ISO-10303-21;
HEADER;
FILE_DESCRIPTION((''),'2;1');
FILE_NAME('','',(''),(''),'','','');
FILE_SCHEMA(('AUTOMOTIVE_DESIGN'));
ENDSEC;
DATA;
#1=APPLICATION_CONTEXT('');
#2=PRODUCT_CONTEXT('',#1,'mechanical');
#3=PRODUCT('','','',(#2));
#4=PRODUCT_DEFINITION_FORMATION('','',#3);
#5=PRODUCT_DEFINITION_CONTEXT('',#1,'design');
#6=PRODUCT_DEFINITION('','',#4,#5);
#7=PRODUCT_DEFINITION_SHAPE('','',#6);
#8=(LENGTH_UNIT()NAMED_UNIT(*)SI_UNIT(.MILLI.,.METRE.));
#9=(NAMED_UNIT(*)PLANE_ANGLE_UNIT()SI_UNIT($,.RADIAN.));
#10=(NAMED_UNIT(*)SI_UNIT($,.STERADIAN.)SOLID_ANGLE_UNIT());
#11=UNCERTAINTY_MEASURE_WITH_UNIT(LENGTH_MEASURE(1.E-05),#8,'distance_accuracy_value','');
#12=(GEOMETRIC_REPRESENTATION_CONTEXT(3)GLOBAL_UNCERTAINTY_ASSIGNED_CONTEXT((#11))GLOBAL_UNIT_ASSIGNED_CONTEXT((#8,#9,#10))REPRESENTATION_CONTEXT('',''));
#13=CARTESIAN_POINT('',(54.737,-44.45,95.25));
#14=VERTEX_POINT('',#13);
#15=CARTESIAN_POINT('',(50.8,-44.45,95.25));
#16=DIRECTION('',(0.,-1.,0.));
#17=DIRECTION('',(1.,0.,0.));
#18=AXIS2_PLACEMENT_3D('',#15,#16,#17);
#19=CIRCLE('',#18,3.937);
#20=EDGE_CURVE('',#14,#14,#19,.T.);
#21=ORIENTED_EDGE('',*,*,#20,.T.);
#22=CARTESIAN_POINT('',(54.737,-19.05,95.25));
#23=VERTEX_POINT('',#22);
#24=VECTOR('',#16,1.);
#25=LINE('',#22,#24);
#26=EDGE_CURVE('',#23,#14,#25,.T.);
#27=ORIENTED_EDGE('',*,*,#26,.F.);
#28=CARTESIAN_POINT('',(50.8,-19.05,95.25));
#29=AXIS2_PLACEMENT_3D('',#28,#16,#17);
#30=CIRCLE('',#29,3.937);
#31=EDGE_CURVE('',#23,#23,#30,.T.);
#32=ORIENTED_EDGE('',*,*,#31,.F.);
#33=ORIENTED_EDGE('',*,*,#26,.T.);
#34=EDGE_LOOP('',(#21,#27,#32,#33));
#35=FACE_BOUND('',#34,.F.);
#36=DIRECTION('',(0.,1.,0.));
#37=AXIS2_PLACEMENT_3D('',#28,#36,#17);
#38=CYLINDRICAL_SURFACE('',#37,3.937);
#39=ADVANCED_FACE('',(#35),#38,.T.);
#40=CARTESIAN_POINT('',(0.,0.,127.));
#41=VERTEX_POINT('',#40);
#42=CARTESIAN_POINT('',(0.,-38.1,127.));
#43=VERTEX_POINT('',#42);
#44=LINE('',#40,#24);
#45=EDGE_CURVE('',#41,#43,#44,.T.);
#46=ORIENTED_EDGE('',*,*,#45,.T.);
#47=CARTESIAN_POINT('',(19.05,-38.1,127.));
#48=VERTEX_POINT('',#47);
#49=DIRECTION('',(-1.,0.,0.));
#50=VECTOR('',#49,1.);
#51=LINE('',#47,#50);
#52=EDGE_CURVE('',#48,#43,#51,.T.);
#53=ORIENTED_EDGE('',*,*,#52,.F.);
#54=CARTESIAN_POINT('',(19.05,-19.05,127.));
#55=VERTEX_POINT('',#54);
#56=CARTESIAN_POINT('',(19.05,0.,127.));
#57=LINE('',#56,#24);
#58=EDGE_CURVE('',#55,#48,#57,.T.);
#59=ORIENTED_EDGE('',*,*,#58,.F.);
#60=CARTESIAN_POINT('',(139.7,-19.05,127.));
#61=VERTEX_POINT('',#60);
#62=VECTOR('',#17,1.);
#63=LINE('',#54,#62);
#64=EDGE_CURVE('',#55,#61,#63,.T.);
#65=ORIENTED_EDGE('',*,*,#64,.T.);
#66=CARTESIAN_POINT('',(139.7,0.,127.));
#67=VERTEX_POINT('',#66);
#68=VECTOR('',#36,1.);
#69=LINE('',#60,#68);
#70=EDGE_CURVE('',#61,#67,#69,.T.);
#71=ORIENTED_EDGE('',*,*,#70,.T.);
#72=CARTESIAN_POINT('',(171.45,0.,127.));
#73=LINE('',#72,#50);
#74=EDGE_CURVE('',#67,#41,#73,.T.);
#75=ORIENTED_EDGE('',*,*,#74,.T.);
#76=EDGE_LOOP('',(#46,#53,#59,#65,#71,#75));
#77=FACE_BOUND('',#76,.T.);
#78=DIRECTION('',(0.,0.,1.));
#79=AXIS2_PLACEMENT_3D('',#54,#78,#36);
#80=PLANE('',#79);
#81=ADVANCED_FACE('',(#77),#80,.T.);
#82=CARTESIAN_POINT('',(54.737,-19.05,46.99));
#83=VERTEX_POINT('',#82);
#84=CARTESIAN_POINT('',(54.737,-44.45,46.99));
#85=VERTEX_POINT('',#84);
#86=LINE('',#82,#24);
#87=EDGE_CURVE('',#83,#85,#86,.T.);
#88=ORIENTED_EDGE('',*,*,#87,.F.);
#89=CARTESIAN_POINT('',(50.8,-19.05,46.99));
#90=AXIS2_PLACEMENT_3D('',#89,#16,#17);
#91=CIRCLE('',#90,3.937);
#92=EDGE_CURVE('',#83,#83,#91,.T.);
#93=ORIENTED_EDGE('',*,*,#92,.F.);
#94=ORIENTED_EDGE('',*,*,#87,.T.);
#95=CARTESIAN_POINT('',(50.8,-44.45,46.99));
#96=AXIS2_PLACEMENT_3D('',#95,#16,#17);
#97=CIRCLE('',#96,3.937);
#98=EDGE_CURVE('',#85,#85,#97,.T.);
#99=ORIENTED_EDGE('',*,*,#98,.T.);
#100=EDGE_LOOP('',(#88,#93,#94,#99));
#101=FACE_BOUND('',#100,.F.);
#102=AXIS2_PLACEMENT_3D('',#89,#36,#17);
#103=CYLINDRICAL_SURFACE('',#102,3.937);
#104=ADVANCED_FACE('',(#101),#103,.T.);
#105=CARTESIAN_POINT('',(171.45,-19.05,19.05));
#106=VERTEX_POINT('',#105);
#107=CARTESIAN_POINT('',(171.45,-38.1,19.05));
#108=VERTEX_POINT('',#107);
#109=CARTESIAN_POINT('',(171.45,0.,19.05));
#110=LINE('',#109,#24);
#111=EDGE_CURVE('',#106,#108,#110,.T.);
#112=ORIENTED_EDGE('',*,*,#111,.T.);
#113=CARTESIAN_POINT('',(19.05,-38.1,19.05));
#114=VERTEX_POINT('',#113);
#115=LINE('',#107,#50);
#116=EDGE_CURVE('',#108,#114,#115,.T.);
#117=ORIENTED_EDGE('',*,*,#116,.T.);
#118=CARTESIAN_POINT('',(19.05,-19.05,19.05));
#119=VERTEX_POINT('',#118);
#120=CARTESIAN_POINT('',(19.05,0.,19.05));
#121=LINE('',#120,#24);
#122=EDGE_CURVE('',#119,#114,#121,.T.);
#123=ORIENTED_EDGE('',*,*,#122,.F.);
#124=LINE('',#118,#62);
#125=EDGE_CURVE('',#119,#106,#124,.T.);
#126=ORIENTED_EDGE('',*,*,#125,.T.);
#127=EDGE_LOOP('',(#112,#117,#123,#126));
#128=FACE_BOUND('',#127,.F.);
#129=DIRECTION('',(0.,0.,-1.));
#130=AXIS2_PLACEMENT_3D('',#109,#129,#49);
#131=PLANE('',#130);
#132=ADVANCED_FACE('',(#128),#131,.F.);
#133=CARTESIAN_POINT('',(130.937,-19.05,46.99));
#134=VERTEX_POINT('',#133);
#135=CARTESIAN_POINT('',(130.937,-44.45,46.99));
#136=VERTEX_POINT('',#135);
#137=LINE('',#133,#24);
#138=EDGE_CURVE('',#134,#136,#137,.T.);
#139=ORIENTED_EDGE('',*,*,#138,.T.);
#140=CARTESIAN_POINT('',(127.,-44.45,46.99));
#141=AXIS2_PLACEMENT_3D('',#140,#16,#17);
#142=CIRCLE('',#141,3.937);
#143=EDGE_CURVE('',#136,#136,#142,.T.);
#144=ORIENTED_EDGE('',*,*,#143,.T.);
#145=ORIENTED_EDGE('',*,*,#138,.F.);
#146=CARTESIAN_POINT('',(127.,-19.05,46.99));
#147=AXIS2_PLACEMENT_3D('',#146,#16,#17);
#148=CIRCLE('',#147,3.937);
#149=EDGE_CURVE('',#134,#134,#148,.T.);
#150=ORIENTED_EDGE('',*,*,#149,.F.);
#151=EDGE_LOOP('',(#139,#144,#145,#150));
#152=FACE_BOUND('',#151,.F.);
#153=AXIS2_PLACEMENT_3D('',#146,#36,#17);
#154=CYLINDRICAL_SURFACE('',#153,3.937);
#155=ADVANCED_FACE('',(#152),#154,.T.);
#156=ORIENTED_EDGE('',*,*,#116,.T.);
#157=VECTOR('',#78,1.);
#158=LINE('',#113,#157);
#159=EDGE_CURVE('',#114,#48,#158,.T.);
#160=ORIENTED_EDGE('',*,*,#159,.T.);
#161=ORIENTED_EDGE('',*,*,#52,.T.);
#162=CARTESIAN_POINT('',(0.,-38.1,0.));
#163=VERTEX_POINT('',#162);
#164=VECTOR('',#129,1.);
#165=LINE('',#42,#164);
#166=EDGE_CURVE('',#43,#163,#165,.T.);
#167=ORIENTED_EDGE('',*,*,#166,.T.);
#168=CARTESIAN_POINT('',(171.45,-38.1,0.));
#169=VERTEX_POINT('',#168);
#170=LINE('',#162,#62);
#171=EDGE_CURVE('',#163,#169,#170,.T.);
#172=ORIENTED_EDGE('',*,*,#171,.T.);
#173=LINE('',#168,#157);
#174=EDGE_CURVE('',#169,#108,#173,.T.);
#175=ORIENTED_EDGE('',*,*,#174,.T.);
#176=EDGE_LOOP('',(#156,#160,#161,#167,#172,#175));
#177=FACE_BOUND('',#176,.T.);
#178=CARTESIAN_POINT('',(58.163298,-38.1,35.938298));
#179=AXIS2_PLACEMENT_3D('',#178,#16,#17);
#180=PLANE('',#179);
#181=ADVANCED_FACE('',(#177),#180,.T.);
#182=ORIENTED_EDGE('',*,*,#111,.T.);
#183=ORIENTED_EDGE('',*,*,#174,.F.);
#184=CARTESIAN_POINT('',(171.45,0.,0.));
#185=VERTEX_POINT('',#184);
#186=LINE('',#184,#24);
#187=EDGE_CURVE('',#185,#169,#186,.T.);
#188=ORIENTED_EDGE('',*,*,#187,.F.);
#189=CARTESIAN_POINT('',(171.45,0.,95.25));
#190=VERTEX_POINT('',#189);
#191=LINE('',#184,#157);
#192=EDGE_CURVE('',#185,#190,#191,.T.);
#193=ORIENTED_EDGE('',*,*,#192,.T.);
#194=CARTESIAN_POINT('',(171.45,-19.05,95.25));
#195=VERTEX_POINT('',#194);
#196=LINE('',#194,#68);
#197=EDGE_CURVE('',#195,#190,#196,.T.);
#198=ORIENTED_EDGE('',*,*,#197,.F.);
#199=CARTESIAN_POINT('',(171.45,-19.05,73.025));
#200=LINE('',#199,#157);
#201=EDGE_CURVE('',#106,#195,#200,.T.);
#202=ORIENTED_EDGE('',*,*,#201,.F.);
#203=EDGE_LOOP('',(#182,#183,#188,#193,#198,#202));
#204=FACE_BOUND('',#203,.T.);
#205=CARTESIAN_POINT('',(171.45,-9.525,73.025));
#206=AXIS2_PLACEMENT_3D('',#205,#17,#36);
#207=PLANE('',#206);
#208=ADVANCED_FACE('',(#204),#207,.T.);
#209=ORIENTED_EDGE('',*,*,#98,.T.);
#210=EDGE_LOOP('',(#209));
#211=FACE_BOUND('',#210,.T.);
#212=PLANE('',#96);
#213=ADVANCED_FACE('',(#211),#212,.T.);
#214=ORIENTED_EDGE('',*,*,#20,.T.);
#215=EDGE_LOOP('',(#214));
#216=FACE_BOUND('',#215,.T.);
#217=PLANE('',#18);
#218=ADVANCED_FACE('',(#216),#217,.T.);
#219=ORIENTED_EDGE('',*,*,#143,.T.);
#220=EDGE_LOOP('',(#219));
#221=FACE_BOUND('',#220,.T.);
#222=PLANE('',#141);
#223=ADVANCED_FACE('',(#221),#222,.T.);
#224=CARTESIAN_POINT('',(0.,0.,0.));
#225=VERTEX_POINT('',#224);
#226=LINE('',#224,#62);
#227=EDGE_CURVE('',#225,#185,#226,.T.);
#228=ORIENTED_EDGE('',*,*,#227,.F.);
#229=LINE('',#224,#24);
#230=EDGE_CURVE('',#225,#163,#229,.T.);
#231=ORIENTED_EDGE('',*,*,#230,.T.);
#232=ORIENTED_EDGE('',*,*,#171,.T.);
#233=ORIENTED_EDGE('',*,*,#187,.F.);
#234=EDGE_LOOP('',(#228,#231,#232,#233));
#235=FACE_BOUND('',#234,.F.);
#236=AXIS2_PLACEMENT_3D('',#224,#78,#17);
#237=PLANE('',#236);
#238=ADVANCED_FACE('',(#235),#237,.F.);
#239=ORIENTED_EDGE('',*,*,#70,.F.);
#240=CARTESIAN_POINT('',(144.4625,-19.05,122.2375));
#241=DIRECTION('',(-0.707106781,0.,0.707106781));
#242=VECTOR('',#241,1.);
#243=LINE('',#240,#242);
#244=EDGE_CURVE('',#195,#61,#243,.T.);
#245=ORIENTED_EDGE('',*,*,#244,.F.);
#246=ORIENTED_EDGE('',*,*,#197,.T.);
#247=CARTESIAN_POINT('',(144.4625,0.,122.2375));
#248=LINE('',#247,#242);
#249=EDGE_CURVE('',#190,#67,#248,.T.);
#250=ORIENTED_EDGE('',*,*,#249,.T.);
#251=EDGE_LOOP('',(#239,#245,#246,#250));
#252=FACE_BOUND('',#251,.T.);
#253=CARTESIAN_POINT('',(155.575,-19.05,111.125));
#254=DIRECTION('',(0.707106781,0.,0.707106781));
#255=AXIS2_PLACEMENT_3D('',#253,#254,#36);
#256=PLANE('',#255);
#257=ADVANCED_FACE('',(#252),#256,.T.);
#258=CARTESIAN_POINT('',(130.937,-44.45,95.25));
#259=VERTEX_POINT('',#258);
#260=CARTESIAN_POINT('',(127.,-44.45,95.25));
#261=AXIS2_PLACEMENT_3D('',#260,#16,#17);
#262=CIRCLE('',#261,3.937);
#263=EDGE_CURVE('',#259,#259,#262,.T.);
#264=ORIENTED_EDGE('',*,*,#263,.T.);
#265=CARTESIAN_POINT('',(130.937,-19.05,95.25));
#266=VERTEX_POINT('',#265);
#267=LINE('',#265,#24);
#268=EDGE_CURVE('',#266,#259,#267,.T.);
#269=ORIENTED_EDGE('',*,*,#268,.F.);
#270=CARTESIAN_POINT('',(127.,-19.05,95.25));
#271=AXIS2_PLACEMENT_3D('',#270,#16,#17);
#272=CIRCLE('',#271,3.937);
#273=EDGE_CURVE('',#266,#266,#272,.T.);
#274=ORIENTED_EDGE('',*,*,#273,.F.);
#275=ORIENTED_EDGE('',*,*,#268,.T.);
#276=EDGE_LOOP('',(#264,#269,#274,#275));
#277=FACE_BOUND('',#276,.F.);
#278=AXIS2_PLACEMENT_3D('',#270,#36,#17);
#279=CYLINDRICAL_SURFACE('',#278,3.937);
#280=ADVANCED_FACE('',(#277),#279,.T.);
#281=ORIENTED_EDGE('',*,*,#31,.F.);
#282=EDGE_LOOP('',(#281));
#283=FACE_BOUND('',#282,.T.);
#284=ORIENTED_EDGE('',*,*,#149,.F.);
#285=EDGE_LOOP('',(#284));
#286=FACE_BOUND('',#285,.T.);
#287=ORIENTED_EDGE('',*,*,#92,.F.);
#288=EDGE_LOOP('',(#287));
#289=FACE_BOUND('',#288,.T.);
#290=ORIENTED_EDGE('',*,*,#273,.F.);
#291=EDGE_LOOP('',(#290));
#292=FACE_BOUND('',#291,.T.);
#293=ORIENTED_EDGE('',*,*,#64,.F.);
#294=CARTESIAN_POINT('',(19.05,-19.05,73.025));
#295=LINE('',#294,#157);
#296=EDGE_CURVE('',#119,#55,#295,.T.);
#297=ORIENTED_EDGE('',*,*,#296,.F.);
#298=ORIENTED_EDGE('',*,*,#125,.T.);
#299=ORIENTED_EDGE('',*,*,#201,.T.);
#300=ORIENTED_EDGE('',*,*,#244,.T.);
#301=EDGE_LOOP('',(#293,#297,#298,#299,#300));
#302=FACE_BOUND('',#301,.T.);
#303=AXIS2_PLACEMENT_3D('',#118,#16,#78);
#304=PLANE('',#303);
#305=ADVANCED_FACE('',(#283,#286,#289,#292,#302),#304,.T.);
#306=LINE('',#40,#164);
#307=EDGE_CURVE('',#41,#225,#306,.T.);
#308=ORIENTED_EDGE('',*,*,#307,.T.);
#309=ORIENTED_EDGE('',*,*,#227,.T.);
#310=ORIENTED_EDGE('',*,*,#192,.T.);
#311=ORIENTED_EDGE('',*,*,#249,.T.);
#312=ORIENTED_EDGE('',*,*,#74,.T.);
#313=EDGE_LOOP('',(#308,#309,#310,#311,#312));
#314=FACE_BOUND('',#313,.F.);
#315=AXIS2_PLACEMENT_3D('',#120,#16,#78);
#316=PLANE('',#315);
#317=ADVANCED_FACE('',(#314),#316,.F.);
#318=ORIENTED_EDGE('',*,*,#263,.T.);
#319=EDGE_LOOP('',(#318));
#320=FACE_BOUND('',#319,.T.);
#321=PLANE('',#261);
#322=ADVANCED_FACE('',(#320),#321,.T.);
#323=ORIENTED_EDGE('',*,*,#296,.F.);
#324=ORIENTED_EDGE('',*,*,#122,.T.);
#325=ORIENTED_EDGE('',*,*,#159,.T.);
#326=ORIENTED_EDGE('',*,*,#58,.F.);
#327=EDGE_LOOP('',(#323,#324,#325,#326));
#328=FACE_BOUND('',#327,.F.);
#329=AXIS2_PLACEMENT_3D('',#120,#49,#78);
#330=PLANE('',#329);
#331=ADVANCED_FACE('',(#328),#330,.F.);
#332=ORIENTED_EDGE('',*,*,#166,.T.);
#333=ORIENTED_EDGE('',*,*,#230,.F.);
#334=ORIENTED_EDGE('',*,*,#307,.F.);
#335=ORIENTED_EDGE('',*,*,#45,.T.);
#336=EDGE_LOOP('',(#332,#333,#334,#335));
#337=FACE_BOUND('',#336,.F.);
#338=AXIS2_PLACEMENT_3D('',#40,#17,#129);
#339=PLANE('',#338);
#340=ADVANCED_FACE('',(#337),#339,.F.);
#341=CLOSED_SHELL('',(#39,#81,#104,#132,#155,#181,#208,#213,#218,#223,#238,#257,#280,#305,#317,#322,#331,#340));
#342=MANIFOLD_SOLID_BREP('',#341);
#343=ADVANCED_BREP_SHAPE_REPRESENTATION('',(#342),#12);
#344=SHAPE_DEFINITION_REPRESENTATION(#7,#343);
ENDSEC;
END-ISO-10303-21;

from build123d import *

# Parameters (mm, degrees)
F1_DEPTH = 38.1
F2_W     = 19.05
F2_H     = 107.95
F3_DEPTH = 152.4
F4_SIZE  = 31.75
F5_R     = 3.937
F6_DEPTH = 25.4


with BuildPart() as f1:
    # F0 (on Front) → F1 (new body)
    with BuildSketch(Plane.XZ):
        Polygon((0, 0), (9.30349, 0), (171.45, 0), (171.45, 19.05), (19.05, 19.05), (19.05, 127), (0, 127), align=None)
    extrude(amount=F1_DEPTH)

    # F2 (on face) → F3 (join, through all)
    with BuildSketch(Plane.YZ.offset(19.05)):
        with Locations((-9.525, 73.025)):
            Rectangle(F2_W, F2_H)
    extrude(amount=F3_DEPTH)

    # F4
    f4_edges = [f1.edges().sort_by_distance(p)[0] for p in [
        (171.45, -9.525, 127),
    ]]
    chamfer(f4_edges, length=F4_SIZE)

    # F5 (on face) → F6 (join)
    with BuildSketch(Plane.XZ.offset(19.05)):
        with Locations((50.8, 95.25)):
            Circle(F5_R)
        with Locations((127, 95.25)):
            Circle(F5_R)
        with Locations((127, 46.99)):
            Circle(F5_R)
        with Locations((50.8, 46.99)):
            Circle(F5_R)
    extrude(amount=F6_DEPTH)


solid = f1.part
